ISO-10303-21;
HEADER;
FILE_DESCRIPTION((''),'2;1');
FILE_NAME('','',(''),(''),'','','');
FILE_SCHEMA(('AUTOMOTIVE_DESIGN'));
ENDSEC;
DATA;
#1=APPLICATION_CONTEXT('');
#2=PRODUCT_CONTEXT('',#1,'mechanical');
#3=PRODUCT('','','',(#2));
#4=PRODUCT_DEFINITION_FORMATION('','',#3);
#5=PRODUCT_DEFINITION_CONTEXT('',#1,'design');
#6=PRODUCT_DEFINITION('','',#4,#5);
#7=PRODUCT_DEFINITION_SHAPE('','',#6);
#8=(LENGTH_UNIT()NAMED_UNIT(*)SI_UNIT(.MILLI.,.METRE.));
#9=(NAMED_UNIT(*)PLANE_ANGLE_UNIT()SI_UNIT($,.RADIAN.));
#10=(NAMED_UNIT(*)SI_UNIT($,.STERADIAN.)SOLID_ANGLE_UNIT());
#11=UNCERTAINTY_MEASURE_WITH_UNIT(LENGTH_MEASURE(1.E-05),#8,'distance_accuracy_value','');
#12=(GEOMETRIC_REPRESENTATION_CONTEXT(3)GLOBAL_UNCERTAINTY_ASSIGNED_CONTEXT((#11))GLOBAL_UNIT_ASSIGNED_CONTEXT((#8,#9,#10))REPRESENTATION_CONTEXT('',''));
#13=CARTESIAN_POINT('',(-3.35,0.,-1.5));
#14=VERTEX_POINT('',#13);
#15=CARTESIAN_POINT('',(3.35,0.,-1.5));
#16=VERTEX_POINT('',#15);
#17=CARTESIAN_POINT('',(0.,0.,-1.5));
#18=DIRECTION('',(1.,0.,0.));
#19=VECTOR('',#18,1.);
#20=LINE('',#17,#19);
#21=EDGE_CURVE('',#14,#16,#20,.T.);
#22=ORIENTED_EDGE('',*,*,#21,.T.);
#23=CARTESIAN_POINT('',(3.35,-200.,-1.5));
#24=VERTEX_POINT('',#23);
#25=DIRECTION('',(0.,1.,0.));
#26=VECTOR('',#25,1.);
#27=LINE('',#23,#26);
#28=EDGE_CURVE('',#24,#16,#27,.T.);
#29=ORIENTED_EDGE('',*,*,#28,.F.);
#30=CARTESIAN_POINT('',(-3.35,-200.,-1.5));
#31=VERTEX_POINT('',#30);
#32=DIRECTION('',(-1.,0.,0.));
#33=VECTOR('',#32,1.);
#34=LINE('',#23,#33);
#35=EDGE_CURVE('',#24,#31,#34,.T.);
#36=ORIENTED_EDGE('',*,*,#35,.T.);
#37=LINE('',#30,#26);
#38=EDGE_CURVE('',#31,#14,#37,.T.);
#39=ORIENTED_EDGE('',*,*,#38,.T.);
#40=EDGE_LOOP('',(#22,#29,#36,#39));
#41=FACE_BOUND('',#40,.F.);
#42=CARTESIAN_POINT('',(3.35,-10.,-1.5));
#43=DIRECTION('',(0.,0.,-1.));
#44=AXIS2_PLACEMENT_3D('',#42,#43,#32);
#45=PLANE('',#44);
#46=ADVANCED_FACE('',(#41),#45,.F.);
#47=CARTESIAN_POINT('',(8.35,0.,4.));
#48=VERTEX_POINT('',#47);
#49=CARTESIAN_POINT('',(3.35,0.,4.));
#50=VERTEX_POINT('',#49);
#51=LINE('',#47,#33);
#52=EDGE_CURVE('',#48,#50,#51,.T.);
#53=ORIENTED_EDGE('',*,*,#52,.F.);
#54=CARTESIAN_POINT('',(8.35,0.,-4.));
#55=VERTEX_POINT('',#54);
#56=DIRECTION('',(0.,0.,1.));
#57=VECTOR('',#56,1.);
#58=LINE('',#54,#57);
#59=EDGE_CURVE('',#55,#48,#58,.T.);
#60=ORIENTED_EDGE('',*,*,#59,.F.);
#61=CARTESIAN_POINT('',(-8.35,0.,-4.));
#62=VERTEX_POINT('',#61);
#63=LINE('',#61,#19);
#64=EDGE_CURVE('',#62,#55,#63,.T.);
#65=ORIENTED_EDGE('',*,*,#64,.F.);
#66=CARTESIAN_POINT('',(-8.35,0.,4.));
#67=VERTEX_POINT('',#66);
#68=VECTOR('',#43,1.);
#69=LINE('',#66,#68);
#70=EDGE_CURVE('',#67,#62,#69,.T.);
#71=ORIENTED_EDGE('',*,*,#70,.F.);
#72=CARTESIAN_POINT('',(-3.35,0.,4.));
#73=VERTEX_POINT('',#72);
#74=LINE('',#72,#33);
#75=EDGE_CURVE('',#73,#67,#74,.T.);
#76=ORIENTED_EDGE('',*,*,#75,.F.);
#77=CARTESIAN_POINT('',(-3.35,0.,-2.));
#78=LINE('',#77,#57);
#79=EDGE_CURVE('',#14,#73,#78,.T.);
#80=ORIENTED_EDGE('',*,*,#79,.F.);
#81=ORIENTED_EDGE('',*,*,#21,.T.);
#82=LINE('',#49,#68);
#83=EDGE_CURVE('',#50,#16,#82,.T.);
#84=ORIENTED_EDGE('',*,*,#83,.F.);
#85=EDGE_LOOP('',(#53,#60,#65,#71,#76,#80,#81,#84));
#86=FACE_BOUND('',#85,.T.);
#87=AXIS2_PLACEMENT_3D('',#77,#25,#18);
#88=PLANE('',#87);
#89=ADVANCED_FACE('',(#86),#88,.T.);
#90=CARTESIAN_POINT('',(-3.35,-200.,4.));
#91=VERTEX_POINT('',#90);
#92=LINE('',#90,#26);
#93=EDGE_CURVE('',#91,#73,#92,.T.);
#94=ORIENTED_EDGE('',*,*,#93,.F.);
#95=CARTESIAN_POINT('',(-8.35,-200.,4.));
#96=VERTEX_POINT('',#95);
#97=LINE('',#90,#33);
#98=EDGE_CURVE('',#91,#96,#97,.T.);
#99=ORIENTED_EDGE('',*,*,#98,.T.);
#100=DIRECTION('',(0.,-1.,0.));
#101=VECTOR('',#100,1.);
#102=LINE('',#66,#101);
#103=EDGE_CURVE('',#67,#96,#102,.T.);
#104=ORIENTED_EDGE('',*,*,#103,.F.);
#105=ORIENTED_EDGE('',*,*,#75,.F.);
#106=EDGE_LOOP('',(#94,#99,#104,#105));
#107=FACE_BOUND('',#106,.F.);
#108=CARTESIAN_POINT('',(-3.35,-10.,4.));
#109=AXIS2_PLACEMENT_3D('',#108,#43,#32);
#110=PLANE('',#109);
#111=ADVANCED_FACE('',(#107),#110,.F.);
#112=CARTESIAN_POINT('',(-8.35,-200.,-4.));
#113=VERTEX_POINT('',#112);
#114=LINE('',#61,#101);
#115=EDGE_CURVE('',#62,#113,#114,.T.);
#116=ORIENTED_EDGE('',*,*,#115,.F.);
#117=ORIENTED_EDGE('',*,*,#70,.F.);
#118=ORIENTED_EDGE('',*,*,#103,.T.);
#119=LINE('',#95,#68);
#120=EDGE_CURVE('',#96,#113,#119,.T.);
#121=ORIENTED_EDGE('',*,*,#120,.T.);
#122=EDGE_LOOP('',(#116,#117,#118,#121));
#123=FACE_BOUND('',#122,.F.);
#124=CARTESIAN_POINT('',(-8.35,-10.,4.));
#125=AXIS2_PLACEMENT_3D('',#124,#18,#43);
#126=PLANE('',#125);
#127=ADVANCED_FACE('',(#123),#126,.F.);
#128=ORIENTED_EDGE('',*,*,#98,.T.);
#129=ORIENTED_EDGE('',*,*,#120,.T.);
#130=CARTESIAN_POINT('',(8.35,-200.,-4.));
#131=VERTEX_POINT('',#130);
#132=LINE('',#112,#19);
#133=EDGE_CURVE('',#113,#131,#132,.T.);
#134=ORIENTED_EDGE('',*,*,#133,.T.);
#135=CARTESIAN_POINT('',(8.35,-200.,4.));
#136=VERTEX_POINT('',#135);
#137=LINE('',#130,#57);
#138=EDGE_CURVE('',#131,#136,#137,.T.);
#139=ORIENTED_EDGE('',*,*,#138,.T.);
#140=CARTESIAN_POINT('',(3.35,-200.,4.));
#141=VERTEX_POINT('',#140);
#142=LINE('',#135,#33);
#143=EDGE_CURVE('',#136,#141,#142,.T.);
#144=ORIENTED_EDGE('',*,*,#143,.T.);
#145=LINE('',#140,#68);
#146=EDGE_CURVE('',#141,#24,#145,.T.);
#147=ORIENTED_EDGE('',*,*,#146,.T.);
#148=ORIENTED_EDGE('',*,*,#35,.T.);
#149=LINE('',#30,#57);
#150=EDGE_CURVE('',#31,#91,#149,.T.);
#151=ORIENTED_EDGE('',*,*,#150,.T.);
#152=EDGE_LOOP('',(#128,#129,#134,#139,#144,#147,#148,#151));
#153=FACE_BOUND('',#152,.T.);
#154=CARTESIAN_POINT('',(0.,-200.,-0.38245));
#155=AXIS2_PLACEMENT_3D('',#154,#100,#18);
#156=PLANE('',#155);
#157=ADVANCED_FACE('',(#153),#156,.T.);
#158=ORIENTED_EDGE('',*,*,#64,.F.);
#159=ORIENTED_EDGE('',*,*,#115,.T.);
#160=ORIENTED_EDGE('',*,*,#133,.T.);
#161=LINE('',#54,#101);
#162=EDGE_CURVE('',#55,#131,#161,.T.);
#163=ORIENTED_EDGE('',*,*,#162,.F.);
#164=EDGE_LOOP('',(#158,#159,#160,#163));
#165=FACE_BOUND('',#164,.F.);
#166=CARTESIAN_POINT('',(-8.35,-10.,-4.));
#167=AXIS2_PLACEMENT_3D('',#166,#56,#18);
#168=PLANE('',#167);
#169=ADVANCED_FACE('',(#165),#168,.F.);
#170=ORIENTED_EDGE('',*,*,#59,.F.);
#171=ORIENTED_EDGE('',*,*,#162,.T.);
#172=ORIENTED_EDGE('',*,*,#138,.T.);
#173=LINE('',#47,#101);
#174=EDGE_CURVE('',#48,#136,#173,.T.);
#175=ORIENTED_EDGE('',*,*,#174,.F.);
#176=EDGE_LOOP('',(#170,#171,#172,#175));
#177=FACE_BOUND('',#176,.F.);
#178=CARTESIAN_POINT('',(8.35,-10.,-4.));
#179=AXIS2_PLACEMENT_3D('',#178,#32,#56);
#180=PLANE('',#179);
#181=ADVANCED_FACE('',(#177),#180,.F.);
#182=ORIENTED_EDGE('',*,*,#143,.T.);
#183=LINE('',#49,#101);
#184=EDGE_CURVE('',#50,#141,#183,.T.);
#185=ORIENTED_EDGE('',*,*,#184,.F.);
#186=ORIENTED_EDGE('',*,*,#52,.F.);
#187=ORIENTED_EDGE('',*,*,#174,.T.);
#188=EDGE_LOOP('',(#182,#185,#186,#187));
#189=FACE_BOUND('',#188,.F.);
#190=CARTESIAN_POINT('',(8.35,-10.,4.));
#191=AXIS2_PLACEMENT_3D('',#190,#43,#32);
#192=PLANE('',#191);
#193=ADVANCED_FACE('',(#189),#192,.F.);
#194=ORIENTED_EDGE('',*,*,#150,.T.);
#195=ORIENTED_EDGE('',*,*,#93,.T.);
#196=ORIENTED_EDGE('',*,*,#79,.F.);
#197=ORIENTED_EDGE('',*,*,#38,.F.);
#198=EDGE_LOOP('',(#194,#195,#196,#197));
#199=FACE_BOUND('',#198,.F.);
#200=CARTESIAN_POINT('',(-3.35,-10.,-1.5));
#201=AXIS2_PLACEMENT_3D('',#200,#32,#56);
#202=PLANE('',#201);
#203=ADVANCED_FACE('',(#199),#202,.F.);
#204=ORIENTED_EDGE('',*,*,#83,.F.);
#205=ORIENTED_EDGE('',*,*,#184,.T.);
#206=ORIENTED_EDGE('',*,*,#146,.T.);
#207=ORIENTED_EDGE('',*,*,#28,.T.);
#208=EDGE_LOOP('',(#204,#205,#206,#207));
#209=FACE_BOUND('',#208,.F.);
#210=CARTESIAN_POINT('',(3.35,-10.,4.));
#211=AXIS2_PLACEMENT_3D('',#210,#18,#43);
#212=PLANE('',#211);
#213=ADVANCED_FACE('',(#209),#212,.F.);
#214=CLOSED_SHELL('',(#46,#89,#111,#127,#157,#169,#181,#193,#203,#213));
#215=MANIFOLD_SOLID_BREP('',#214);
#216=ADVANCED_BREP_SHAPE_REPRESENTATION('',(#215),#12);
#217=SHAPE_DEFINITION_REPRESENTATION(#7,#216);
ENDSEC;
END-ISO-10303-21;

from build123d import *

# Parameters (mm, degrees)
F1_DEPTH  = 10
F1_FACE_W = 6.7
F1_FACE_H = 10
F2_DEPTH  = 0.5
F3_DEPTH  = 190


with BuildPart() as f1:
    # F0 (on Front) → F1 (new body)
    with BuildSketch(Plane.XZ):
        Polygon((-3.35, 4), (-8.35, 4), (-8.35, -4), (8.35, -4), (8.35, 4), (3.35, 4), (3.35, -2), (-3.35, -2), align=None)
    extrude(amount=F1_DEPTH)

    # F1_face (on face) → F2 (join)
    with BuildSketch(Plane(origin=(0, -5, -2), x_dir=(1, 0, 0), z_dir=(0, 0, 1))):
        Rectangle(F1_FACE_W, F1_FACE_H)
    extrude(amount=F2_DEPTH)

    # F2_face (on face) → F3 (join)
    with BuildSketch(Plane(origin=(0, -10, -0.476098), x_dir=(1, 0, 0), z_dir=(0, -1, 0))):
        Polygon((-3.35, 4.476098), (-8.35, 4.476098), (-8.35, -3.523902), (8.35, -3.523902), (8.35, 4.476098), (3.35, 4.476098), (3.35, -1.023902), (-3.35, -1.023902), align=None)
    extrude(amount=F3_DEPTH)


solid = f1.part
